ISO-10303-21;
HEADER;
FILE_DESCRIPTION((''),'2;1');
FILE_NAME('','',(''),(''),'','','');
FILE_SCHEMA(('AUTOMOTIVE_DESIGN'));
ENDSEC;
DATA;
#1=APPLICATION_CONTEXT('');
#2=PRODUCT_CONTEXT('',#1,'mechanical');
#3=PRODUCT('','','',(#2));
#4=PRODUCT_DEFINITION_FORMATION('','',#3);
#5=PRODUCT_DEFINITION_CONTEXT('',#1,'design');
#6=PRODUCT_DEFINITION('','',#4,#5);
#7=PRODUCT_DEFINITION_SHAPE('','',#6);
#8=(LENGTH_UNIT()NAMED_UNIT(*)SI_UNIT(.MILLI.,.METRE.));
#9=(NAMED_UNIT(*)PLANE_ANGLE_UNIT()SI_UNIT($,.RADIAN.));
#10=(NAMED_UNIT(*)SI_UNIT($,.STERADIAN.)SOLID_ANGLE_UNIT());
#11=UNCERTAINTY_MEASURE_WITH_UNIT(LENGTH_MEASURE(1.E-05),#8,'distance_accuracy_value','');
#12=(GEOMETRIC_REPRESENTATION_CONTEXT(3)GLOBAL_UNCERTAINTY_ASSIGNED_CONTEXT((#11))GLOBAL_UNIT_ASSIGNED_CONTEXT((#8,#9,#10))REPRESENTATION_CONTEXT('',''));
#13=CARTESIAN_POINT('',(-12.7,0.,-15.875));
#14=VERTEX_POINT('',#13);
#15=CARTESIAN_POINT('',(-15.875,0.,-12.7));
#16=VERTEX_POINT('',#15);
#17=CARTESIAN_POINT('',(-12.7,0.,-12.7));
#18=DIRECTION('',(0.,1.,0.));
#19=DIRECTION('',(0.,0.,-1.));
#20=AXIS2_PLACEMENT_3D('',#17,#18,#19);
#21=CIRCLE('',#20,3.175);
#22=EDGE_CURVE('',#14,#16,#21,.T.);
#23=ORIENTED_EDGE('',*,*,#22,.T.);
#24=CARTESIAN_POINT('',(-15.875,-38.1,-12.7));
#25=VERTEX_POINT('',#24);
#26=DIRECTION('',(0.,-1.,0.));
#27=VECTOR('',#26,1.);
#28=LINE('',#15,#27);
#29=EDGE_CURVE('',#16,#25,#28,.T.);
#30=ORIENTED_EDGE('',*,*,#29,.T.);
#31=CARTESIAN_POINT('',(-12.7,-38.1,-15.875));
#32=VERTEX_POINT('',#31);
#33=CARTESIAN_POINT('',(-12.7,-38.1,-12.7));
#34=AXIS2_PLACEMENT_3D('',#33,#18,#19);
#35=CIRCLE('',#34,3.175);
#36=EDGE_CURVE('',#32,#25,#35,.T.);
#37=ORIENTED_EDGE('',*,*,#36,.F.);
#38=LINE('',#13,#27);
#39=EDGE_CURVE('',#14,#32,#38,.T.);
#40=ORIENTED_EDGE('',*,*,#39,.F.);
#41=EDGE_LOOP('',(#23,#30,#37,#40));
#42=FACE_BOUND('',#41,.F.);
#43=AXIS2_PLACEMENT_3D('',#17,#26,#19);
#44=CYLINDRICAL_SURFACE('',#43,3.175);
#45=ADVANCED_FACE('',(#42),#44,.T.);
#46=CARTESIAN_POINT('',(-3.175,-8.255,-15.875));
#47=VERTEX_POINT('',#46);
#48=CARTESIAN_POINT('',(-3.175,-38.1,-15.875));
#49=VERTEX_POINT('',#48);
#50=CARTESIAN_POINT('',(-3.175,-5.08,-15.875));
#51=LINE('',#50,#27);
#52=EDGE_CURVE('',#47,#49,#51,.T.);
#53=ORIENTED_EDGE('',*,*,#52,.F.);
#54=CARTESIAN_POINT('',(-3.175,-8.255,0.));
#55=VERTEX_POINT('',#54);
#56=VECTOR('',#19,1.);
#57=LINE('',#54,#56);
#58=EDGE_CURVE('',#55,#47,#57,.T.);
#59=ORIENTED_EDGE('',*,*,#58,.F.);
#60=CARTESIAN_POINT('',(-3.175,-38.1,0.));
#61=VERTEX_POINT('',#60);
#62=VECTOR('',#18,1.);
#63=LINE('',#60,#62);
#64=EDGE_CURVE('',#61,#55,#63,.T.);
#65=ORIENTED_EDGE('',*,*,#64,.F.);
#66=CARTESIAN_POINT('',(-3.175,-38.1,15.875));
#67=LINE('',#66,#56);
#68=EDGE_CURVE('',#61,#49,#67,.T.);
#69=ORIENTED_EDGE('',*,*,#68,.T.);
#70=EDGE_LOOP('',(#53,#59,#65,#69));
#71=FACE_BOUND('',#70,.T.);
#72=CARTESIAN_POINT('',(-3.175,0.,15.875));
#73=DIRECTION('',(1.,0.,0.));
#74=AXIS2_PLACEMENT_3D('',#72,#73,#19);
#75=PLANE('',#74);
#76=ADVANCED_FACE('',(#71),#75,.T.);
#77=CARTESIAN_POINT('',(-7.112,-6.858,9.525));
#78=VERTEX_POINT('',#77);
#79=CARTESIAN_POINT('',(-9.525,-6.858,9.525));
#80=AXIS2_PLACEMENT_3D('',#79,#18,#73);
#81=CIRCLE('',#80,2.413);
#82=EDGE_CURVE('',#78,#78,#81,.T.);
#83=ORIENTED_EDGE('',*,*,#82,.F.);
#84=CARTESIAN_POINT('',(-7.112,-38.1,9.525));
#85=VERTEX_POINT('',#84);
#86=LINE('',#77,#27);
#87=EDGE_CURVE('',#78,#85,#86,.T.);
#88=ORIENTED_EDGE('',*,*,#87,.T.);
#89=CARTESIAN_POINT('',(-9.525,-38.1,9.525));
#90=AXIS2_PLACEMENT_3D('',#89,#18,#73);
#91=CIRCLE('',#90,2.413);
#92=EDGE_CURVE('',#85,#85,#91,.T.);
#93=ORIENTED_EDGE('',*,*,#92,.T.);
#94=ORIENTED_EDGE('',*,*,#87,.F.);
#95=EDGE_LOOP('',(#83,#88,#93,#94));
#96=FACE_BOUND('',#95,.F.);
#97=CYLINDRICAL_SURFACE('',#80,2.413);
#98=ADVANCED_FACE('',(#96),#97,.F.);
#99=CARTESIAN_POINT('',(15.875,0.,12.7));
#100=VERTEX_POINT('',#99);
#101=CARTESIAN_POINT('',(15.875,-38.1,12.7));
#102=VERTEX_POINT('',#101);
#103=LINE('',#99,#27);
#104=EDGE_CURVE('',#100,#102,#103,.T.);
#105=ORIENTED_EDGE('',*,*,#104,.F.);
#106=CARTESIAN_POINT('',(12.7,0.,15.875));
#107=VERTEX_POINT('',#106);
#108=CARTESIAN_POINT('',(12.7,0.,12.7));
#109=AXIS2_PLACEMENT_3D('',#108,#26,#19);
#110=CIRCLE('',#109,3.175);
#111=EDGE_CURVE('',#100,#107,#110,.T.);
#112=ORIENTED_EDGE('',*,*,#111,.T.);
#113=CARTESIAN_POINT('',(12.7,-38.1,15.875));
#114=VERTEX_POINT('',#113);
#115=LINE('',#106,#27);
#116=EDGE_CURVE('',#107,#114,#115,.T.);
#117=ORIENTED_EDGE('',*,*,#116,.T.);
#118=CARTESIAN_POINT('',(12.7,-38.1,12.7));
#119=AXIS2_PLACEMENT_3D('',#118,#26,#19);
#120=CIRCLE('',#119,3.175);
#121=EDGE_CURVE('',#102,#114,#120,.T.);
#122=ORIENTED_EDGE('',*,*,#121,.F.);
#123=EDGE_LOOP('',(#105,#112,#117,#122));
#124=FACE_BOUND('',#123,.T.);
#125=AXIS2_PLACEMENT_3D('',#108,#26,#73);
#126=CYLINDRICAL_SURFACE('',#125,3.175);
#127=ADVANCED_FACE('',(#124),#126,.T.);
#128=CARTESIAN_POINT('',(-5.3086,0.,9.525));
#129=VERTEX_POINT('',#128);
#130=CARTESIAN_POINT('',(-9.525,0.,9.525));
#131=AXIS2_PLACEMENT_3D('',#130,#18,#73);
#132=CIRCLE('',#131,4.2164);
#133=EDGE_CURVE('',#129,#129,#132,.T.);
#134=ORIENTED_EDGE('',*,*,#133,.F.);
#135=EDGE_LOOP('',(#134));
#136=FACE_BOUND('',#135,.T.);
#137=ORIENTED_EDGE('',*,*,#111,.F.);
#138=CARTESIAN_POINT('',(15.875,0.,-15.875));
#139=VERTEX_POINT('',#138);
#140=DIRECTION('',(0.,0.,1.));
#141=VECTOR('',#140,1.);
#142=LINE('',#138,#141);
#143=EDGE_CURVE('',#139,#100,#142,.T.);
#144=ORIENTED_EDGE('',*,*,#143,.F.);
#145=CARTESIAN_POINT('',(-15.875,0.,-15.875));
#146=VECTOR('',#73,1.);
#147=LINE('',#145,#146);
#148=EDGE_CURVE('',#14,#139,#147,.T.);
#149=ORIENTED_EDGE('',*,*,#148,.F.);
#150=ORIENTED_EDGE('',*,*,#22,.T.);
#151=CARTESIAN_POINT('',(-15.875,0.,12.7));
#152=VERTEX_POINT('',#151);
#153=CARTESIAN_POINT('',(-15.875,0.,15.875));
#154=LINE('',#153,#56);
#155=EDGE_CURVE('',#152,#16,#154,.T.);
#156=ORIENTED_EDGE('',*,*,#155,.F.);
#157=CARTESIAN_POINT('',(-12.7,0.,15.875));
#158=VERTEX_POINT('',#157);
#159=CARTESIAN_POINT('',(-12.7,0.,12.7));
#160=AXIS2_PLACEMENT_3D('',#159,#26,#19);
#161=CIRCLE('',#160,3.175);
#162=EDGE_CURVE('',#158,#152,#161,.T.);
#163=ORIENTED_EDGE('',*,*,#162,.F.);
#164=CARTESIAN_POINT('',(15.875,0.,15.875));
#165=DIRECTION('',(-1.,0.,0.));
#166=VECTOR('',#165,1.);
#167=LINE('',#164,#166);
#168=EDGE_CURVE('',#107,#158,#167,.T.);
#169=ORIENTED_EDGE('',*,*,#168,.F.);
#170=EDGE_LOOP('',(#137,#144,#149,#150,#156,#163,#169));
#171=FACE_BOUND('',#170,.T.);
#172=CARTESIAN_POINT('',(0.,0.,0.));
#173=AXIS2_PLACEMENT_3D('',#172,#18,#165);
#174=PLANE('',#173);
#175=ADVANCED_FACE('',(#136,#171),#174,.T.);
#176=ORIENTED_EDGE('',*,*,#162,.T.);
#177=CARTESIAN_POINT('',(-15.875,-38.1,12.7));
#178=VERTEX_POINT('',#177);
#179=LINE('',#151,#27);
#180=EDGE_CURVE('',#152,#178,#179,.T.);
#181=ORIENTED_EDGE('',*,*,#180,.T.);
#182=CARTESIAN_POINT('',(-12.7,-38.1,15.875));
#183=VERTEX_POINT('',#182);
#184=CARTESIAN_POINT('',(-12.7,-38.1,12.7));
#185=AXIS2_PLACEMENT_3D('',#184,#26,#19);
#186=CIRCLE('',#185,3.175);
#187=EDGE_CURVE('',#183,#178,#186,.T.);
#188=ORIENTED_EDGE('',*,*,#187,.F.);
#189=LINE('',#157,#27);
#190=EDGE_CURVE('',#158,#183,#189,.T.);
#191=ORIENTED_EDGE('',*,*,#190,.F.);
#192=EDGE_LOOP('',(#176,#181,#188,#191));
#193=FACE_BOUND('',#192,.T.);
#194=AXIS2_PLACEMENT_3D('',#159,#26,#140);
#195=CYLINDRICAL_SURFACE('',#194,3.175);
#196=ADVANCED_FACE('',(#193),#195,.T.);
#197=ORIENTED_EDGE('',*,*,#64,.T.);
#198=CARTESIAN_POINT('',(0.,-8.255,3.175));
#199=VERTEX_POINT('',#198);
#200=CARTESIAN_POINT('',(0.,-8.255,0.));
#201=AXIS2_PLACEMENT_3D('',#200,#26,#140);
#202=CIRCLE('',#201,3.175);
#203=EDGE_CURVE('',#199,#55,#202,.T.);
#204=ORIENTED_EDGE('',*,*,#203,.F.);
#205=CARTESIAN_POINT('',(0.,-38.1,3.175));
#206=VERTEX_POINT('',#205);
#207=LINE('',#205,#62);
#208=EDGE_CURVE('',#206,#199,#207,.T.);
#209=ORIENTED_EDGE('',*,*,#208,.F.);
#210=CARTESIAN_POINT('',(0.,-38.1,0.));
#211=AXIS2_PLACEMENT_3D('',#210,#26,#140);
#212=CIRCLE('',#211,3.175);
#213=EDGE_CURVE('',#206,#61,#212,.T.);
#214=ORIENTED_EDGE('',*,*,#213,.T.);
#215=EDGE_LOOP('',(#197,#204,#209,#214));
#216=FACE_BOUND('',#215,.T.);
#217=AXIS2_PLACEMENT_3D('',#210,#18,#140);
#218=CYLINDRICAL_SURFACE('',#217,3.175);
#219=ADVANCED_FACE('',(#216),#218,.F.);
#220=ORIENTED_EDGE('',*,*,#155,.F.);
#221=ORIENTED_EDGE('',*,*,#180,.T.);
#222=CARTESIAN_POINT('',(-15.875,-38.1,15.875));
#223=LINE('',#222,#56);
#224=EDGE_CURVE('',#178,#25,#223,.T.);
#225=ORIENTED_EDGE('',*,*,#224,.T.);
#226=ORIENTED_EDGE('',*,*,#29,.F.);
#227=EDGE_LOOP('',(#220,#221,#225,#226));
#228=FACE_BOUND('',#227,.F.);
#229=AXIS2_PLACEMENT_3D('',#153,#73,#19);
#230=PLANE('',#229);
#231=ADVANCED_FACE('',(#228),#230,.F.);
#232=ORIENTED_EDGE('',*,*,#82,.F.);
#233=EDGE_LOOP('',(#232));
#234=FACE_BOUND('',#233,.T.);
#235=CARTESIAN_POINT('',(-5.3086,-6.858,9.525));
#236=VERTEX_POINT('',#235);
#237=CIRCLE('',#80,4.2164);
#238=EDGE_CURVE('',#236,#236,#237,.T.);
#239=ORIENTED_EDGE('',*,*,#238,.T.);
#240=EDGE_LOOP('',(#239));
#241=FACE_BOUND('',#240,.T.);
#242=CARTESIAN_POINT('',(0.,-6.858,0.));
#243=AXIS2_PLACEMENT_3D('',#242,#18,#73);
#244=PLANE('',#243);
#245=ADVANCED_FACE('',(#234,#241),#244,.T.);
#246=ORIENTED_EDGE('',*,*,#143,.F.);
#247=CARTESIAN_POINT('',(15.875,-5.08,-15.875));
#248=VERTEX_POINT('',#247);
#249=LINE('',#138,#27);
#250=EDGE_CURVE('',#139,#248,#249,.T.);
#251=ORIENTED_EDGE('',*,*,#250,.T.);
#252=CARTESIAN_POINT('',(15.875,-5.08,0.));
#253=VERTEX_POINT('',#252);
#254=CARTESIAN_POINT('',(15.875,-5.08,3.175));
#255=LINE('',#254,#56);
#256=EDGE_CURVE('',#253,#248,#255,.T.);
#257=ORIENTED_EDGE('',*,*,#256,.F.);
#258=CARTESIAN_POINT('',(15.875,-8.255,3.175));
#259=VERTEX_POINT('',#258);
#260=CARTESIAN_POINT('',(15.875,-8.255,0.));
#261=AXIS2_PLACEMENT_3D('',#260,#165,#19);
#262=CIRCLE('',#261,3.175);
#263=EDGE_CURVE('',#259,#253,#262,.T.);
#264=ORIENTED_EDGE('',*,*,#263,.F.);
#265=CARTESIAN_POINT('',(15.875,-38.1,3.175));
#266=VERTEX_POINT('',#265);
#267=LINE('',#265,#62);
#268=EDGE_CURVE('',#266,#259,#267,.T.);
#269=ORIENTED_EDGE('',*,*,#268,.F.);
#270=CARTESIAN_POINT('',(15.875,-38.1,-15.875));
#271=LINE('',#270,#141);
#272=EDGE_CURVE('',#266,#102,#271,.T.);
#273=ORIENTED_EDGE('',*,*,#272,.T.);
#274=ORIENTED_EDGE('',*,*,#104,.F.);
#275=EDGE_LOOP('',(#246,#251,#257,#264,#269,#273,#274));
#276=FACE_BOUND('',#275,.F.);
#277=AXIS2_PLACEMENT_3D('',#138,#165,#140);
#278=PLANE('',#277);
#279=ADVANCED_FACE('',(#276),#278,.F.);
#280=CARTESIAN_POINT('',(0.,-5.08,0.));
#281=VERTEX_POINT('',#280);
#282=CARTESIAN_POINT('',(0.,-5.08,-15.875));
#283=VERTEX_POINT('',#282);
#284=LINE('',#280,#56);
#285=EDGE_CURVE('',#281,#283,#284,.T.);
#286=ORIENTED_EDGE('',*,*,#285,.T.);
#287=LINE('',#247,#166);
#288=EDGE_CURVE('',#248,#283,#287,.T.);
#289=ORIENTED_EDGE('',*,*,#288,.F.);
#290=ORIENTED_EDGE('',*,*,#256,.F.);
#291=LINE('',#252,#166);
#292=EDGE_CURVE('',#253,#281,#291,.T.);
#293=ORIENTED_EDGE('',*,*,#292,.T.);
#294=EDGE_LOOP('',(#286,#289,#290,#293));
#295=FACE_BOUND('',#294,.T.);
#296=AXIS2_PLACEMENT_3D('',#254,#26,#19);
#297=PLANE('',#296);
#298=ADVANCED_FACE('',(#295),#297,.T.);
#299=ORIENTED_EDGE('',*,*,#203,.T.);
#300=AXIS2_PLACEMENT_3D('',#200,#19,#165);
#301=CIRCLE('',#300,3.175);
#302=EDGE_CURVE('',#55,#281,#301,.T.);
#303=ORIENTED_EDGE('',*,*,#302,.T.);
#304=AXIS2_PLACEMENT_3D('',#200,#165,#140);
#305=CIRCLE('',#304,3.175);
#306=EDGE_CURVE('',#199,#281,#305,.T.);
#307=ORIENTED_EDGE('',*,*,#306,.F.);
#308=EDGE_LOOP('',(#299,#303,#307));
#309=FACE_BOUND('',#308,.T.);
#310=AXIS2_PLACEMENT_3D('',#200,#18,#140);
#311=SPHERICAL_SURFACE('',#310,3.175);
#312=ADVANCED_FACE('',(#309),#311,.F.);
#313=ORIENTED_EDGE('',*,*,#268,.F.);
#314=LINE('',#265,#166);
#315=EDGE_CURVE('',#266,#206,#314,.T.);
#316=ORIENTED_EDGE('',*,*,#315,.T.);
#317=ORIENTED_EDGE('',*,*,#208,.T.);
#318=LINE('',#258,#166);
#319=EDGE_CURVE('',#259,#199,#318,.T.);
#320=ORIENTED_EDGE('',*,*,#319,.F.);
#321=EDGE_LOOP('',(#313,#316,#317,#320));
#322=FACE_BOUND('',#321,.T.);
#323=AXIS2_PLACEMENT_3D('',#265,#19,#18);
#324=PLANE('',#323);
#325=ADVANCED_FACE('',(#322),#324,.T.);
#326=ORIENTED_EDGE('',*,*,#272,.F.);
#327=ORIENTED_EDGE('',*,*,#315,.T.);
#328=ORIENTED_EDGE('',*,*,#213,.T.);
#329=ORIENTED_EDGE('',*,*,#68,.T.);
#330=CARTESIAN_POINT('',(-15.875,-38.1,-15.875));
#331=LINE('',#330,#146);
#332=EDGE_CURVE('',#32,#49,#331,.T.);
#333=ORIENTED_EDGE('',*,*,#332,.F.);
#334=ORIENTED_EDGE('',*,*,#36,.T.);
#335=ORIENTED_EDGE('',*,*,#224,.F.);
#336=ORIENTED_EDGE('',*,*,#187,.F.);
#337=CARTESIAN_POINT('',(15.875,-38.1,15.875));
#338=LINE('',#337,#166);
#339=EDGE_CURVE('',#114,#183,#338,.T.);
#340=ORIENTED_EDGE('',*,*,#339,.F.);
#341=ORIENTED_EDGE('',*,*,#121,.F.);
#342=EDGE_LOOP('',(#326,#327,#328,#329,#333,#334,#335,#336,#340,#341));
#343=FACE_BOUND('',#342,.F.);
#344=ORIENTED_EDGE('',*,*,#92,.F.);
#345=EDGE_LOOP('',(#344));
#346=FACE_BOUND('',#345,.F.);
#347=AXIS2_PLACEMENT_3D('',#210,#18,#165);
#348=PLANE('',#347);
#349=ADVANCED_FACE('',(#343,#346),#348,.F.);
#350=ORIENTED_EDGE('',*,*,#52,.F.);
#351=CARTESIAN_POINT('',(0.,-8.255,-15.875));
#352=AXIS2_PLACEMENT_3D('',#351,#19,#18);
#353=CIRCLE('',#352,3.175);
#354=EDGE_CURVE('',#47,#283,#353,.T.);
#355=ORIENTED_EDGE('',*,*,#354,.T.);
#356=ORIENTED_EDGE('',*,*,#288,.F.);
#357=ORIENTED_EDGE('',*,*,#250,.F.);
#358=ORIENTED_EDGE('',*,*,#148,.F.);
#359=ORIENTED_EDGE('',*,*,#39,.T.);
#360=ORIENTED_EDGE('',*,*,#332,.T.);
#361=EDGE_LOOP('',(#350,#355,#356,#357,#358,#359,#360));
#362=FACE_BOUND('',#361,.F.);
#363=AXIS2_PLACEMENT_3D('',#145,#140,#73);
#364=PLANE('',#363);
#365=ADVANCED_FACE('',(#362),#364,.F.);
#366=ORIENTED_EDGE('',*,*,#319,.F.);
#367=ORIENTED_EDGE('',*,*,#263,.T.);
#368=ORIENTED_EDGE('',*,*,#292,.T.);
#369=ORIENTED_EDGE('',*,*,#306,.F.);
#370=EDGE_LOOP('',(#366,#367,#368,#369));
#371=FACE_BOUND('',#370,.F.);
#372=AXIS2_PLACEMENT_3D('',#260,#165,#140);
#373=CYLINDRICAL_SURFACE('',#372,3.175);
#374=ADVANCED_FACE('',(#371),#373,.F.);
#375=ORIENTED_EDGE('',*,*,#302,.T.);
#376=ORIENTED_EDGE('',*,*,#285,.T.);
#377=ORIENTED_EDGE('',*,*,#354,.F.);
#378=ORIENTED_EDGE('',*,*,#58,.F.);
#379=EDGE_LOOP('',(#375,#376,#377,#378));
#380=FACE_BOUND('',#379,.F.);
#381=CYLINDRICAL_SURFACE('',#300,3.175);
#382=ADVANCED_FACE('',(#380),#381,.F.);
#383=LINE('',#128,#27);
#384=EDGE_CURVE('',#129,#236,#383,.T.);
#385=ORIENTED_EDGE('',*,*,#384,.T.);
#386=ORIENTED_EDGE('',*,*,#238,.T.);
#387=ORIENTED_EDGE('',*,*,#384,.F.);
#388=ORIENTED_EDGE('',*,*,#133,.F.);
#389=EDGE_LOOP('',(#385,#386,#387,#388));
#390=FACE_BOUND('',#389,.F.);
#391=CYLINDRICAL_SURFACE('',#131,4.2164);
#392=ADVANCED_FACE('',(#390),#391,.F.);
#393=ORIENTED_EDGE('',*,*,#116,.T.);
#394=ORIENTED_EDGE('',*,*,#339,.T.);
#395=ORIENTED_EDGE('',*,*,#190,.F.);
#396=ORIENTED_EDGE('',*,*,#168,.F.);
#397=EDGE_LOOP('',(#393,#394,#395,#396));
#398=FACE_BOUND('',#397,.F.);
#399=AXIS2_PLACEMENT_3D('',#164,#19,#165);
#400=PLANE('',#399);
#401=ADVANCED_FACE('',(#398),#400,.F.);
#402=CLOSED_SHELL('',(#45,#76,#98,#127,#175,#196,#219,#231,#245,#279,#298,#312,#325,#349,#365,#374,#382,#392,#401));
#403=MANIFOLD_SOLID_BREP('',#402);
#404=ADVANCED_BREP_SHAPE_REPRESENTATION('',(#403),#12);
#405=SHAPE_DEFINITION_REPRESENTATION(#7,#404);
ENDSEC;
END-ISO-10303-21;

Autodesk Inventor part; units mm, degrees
ref_plane "YZ Plane" through (0, 0, 0) normal (1, 0, 0) x (0, 1, 0)
ref_plane "XZ Plane" through (0, 0, 0) normal (0, 1, 0) x (-1, 0, 0)
ref_plane "XY Plane" through (0, 0, 0) normal (0, 0, 1) x (1, 0, 0)
sketch "Sketch1" plane through (0, 0, 0) normal (0, 1, 0) x (-1, 0, 0)
  line L0 (-15.875, 15.875) -> (15.875, 15.875)
  line L1 (15.875, 15.875) -> (15.875, -15.875)
  line L2 (15.875, -15.875) -> (-15.875, -15.875)
  line L3 (-15.875, -15.875) -> (-15.875, 15.875)
  line L4 (-15.875, 15.875) -> (15.875, -15.875) construction
  line L5 (15.875, 15.875) -> (-15.875, -15.875) construction
  point P0 (0, 0)
  dimension "width" = 31.75
  dimension "depth" = 31.75
extrude "Extrusion1" add sketch "Sketch1" against normal blind 38.1
sketch "Sketch2" plane through (15.875, 0, 15.875) normal (1, 0, 0) x (0, 0, -1)
  line L0 (0, -38.1) -> (31.75, -38.1) projected
  line L1 (31.75, -38.1) -> (12.7, -38.1)
  line L2 (12.7, -38.1) -> (12.7, -5.08)
  line L3 (12.7, -5.08) -> (31.75, -5.08)
  line L4 (31.75, -5.08) -> (31.75, -38.1)
  point P0 (15.875, 0)
  dimension "dLinkHeight" = 33.02
  dimension "dLinkWidth" = 19.05
extrude "Extrusion2" cut sketch "Sketch2" against normal blind 19.05
sketch "Sketch6" plane through (0, 0, 0) normal (0, 1, 0) x (1, 0, 0)
  line L0 (15.875, 15.875) -> (15.875, -15.875) construction
  line L1 (15.875, -9.525) -> (-15.875, -9.525) construction
  line L2 (-15.875, -15.875) -> (-15.875, 15.875) construction
  line L3 (-9.525, -15.875) -> (-9.525, 15.875) construction
  line L4 (-15.875, 15.875) -> (15.875, 15.875) construction
  line L5 (15.875, -15.875) -> (-15.875, -15.875) construction
  circle A0 centre (-9.525, -9.525) radius 4.2164
  point P0 (0, 0)
  dimension "widthCenterLine" = 6.35
  dimension "depthCenterLine" = 6.35
  dimension "diamHeadCapScrew" = 8.4328
extrude "Extrusion3" cut sketch "Sketch6" against normal blind 6.858
sketch "Sketch7" plane through (-9.525, -6.858, 9.525) normal (0, 1, 0) x (1, 0, 0)
  circle A0 centre (0, 0) radius 2.413
  point P0 (9.525, 9.525)
  dimension "capScrewThroughHole" = 4.826
extrude "Extrusion4" cut sketch "Sketch7" against normal through all
fillet "Fillet1" radius 3.175 1 edges at (-3.175, -21.59, 3.175)
fillet "Fillet2" radius 3.175 3 edges at (-2.2451, -5.08, 2.2451) (-3.175, -5.08, -7.9375) (7.9375, -5.08, 3.175)
fillet "Fillet3" radius 3.175 3 edges at (-15.875, -19.05, 15.875) (-15.875, -19.05, -15.875) (15.875, -19.05, 15.875)
equation "\"widthCenterLine\" = -0.5 * dLinkWidth + 0.5 * width"
equation "\"depthCenterLine\" = -0.5 * dLinkWidth + 0.5 * depth"
equation "\"capScrewSpacing\" = 0.508"
equation "\"depthCapScrewSpacing\" = 0.508"
properties part number "cornerBracketForDLink"
